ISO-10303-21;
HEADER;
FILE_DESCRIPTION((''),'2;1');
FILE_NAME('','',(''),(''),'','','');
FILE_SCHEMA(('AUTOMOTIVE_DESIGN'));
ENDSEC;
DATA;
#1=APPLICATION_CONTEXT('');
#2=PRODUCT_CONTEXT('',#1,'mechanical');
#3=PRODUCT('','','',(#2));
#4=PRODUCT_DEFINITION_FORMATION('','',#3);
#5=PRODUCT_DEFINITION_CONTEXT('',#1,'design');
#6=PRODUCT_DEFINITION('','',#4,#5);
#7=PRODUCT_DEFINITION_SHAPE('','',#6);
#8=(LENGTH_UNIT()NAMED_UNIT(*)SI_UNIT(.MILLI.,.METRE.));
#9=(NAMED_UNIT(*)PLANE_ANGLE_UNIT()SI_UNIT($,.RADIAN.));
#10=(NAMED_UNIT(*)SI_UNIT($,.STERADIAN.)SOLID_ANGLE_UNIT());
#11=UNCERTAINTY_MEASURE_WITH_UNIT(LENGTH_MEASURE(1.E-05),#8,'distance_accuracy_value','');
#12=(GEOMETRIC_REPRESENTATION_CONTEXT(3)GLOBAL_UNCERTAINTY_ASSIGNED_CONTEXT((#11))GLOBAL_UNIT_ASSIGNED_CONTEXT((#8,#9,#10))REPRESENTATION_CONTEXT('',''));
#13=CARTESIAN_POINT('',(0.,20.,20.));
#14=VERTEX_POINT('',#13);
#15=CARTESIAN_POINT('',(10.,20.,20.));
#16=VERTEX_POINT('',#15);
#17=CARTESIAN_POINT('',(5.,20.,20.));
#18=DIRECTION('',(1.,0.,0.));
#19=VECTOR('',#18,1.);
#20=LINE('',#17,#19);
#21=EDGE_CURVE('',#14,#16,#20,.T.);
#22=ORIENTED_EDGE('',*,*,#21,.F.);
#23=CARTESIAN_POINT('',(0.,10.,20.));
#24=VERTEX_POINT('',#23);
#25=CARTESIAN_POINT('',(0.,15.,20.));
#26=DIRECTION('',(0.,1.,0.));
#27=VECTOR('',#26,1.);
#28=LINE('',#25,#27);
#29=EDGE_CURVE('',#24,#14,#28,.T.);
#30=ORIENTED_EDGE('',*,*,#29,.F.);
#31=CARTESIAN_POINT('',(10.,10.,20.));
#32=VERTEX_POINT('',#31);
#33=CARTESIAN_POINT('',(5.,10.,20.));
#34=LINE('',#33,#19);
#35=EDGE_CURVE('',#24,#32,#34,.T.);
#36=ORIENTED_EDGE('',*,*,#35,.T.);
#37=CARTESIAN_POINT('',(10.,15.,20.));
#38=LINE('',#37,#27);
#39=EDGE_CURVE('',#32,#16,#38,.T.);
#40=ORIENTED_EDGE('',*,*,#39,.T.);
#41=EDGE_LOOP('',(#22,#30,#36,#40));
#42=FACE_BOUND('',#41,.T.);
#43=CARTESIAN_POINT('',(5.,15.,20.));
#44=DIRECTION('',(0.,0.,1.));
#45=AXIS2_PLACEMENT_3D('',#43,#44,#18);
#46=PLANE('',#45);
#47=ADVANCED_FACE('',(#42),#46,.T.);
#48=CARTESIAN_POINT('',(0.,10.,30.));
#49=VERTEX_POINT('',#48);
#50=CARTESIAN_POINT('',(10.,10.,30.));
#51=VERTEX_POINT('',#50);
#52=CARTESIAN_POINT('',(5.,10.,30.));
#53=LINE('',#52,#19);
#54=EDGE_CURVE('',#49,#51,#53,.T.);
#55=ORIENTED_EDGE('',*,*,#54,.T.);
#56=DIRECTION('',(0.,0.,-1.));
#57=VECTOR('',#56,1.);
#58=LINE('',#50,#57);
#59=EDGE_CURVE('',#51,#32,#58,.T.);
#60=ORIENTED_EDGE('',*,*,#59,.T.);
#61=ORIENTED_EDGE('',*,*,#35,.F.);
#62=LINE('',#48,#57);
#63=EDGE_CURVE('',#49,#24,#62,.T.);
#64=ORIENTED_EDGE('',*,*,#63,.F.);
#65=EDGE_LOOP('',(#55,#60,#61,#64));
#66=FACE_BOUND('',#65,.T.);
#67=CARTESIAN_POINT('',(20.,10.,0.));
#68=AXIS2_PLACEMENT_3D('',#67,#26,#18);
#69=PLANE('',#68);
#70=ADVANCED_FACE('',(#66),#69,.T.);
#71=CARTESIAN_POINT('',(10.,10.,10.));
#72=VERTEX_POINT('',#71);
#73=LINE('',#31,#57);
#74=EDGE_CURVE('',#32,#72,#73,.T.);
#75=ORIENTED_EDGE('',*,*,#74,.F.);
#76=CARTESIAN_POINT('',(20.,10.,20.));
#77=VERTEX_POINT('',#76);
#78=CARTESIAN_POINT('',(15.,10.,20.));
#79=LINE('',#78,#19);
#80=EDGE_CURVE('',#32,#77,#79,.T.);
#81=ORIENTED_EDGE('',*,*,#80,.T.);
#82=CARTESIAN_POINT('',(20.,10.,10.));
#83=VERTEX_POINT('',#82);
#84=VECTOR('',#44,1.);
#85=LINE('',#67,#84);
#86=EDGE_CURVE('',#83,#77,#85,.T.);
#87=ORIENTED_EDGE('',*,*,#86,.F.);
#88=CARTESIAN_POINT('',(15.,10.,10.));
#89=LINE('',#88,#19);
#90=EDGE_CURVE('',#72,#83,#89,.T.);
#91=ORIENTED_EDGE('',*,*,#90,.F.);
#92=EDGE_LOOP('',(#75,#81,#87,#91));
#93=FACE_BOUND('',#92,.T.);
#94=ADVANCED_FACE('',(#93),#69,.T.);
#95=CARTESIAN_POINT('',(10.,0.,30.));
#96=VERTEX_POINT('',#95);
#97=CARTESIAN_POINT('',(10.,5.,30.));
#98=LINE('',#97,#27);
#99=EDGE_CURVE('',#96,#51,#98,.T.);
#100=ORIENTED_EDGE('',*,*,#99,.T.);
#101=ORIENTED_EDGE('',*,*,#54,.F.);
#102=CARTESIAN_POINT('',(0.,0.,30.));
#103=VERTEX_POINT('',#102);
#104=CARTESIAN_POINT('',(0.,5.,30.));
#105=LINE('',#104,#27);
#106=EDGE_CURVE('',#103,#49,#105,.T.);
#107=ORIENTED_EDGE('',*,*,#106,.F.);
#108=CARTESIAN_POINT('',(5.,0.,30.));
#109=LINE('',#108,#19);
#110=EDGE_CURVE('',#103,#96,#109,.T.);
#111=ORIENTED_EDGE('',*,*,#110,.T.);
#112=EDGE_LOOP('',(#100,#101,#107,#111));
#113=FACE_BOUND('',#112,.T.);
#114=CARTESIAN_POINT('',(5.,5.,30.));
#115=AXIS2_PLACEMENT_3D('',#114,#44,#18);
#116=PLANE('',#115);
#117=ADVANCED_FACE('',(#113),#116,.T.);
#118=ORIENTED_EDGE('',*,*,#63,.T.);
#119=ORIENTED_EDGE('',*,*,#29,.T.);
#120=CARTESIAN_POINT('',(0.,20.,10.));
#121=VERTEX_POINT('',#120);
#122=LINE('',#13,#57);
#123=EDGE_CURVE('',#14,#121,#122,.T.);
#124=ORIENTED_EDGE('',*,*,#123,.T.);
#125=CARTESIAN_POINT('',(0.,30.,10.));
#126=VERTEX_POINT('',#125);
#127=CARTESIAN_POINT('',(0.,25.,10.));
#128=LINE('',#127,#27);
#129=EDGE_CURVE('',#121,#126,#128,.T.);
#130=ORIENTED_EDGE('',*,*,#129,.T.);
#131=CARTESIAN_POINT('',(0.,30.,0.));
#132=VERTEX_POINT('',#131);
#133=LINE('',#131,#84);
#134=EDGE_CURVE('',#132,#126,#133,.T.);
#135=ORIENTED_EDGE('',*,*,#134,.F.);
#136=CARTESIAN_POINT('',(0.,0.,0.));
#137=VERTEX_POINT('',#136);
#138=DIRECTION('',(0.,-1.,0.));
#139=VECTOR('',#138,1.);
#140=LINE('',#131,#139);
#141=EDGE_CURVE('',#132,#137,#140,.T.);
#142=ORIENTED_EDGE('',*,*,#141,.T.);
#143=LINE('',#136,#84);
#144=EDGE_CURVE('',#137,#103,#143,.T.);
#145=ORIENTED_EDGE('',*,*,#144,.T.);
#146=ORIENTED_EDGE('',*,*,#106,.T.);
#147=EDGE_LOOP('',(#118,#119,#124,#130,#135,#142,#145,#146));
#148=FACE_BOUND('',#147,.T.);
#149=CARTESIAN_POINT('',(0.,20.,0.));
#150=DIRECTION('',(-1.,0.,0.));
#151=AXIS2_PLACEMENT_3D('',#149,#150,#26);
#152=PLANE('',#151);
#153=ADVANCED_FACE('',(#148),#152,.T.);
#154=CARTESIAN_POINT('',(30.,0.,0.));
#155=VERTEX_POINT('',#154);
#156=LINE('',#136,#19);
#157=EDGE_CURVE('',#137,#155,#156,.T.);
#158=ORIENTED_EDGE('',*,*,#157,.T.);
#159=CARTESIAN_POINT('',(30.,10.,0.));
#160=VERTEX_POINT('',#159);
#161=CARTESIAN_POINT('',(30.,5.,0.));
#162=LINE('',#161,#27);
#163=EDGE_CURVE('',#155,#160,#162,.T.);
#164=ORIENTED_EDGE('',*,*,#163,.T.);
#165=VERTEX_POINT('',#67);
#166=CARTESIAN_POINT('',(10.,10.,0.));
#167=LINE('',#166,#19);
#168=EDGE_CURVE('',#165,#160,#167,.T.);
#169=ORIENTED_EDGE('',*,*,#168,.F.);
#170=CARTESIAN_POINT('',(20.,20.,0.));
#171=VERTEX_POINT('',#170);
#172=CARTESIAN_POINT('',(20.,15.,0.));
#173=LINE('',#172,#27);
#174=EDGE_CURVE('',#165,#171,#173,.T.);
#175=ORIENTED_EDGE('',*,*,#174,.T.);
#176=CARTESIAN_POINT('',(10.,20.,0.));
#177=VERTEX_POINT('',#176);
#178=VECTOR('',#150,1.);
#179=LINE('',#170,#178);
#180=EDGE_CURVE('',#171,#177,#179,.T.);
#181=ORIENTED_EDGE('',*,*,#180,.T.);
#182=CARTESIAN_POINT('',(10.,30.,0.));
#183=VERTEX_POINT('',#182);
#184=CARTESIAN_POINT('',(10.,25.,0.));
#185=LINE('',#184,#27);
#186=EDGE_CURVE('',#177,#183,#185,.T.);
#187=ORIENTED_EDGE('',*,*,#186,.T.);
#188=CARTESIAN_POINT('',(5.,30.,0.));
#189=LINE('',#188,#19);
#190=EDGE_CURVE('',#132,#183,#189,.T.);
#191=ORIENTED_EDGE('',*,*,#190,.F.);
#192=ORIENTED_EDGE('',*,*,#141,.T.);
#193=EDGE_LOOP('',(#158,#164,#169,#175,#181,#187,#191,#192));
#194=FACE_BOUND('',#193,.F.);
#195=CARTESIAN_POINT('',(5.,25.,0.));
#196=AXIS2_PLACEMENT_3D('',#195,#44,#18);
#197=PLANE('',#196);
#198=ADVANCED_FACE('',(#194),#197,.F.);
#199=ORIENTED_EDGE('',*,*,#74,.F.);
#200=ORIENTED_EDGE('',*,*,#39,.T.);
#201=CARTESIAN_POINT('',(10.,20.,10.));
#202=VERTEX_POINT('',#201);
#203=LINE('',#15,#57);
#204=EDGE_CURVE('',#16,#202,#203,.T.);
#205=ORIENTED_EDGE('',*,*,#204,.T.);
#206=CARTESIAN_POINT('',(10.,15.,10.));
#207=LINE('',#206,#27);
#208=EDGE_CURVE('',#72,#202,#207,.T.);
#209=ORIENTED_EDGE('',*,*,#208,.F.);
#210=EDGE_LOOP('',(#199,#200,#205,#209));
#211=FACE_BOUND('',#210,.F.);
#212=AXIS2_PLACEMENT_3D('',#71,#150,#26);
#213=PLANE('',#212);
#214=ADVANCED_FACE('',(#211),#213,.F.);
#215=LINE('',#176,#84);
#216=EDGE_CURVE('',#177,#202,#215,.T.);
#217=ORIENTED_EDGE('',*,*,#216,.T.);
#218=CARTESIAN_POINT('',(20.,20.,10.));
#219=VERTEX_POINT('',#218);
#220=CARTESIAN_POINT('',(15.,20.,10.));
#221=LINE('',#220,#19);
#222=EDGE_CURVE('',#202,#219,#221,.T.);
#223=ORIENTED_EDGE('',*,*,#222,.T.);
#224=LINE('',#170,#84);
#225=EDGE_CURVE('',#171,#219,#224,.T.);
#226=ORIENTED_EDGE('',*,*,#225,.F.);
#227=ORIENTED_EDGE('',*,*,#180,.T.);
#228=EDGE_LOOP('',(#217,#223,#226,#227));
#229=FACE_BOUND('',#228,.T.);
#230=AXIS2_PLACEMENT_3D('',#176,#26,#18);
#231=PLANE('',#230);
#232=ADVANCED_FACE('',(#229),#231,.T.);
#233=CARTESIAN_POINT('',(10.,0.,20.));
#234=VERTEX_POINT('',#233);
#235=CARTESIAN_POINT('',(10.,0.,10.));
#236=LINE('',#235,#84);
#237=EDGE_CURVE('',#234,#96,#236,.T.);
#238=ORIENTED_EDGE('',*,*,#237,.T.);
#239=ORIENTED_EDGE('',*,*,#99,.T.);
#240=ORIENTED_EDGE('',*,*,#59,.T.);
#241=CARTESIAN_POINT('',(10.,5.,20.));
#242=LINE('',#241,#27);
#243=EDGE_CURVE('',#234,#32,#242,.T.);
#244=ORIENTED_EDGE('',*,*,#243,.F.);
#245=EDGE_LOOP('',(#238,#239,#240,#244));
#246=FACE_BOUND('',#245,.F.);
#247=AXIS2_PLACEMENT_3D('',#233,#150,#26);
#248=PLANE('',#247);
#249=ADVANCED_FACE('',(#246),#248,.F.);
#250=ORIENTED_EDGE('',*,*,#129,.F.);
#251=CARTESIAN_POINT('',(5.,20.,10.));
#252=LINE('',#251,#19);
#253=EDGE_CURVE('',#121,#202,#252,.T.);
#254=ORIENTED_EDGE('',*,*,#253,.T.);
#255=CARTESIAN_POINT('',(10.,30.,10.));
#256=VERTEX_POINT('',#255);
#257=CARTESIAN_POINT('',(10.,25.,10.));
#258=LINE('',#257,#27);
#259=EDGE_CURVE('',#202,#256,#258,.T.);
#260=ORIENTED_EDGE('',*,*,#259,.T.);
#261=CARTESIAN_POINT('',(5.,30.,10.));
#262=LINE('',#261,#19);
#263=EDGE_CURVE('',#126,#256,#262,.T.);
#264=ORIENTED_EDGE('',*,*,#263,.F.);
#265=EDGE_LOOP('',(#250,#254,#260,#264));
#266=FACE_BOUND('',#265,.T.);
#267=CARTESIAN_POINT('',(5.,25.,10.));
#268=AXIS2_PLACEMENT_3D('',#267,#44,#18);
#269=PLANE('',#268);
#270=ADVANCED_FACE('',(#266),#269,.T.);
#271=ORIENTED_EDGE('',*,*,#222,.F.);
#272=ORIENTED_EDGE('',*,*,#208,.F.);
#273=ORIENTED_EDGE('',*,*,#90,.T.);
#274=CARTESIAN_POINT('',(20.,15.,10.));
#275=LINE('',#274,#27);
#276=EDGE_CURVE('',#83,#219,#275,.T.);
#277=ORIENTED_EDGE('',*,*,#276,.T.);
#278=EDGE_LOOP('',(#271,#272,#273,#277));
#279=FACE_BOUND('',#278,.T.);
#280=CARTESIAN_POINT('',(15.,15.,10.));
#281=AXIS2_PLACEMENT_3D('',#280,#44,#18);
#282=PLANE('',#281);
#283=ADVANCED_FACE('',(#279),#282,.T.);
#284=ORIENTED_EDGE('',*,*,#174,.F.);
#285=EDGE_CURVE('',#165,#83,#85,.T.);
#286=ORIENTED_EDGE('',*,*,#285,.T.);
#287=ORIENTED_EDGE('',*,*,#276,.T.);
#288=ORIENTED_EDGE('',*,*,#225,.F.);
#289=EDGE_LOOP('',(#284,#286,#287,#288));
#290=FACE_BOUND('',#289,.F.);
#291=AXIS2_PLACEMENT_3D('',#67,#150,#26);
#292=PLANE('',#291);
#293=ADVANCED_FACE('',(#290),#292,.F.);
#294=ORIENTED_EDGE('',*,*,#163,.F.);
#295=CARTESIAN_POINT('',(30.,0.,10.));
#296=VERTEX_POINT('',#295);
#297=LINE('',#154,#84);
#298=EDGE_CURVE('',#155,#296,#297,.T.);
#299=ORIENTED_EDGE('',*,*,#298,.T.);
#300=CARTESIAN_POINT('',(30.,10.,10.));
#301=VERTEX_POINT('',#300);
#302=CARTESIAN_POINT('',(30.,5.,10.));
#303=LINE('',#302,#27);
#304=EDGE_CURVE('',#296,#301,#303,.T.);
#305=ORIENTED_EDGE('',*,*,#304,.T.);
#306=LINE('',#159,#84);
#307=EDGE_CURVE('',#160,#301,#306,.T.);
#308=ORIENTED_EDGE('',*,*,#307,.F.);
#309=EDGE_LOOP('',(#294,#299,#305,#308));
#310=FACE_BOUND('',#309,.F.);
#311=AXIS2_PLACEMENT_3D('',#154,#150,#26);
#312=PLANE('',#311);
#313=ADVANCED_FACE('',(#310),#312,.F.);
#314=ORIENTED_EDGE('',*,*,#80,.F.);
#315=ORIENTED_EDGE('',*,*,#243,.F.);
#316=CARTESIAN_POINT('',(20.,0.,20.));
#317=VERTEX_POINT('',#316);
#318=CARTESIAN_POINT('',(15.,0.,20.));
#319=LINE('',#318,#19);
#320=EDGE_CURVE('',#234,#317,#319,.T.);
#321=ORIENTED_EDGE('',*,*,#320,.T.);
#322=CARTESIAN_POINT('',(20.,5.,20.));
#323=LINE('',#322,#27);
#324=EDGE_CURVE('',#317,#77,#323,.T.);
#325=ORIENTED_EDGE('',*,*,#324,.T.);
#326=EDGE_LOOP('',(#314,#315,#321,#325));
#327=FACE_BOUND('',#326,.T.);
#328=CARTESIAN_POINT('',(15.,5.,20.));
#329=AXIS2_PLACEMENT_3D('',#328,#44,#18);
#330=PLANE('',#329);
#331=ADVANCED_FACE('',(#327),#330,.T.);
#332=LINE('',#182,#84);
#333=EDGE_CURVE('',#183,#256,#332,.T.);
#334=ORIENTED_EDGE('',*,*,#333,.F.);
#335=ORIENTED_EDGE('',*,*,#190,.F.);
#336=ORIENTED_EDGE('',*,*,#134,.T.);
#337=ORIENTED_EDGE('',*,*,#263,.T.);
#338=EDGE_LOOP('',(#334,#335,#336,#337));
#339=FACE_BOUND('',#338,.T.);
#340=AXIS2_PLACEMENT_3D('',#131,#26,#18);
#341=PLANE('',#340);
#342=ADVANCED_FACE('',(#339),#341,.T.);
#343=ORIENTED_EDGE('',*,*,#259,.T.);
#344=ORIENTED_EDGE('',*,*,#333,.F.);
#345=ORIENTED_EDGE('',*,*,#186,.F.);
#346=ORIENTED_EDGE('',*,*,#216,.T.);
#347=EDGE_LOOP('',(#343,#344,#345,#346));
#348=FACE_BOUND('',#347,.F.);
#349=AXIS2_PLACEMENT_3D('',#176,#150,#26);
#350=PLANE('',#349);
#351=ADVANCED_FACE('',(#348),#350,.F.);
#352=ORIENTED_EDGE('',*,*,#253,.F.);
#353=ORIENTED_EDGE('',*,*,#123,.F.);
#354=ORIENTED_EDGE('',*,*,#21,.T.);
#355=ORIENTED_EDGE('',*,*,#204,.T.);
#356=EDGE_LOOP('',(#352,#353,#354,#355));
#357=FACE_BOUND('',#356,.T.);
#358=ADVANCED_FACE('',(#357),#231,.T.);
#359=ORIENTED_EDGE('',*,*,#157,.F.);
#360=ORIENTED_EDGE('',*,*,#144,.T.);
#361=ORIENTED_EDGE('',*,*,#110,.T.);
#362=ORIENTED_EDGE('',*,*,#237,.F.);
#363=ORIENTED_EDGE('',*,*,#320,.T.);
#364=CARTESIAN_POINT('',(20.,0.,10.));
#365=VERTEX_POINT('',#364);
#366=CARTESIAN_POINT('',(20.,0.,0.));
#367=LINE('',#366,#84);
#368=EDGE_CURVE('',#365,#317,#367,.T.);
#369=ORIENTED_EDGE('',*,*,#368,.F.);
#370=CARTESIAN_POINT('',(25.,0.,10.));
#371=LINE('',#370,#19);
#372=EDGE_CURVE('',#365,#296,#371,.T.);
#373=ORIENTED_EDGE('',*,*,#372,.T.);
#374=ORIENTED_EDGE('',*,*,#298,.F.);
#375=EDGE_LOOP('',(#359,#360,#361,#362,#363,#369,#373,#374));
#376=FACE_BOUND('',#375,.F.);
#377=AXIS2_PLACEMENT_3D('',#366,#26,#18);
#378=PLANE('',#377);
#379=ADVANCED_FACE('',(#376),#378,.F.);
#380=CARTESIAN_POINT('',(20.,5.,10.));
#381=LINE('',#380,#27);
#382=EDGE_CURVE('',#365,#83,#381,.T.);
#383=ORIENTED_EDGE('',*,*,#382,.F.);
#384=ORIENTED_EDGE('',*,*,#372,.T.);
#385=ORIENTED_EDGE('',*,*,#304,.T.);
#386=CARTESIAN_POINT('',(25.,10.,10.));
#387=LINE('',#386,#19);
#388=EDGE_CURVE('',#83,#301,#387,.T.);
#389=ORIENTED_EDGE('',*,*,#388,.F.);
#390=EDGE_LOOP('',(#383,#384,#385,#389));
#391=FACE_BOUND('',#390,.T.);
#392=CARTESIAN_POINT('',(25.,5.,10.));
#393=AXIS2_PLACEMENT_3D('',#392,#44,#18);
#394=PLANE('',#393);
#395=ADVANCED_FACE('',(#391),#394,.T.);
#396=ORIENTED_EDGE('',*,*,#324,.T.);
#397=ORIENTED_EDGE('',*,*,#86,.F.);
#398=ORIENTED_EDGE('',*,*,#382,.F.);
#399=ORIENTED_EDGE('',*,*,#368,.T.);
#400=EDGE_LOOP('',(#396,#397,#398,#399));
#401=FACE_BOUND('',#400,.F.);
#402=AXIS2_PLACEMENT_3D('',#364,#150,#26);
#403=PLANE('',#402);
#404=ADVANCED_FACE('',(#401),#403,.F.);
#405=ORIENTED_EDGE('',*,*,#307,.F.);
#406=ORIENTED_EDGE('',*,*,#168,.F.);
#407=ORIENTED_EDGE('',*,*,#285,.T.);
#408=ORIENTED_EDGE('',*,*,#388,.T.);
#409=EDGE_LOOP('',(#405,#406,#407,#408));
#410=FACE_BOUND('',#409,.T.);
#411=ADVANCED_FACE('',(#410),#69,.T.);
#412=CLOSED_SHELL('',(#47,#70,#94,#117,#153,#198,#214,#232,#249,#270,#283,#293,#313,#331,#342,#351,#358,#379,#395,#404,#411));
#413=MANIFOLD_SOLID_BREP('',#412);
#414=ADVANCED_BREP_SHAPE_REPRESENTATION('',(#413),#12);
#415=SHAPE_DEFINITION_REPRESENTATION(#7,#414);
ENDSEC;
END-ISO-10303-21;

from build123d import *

# Parameters (mm, degrees)
BOX001_W     = 10
BOX001_H     = 10
BOX001_DEPTH = 10
BOX002_W     = 10
BOX002_H     = 10
BOX002_DEPTH = 10
BOX003_W     = 10
BOX003_H     = 10
BOX003_DEPTH = 10
BOX004_W     = 10
BOX004_H     = 10
BOX004_DEPTH = 10
BOX005_W     = 10
BOX005_H     = 10
BOX005_DEPTH = 10
BOX006_W     = 10
BOX006_H     = 10
BOX006_DEPTH = 10
BOX007_W     = 10
BOX007_H     = 10
BOX007_DEPTH = 10
BOX008_W     = 10
BOX008_H     = 10
BOX008_DEPTH = 10
BOX009_W     = 10
BOX009_H     = 10
BOX009_DEPTH = 10
BOX_W        = 10
BOX_H        = 10
BOX_DEPTH    = 10


with BuildPart() as cub001:
    # Box001 → Box001 (new body)
    with BuildSketch(Plane(origin=(10, 0, 0), x_dir=(1, 0, 0), z_dir=(0, 0, 1))):
        with Locations((5, 5)):
            Rectangle(BOX001_W, BOX001_H)
    extrude(amount=BOX001_DEPTH)


with BuildPart() as cub002:
    # Box002 → Box002 (new body)
    with BuildSketch(Plane(origin=(0, 10, 0), x_dir=(1, 0, 0), z_dir=(0, 0, 1))):
        with Locations((5, 5)):
            Rectangle(BOX002_W, BOX002_H)
    extrude(amount=BOX002_DEPTH)


with BuildPart() as cub003:
    # Box003 → Box003 (new body)
    with BuildSketch(Plane.XY.offset(10)):
        with Locations((5, 5)):
            Rectangle(BOX003_W, BOX003_H)
    extrude(amount=BOX003_DEPTH)


with BuildPart() as cub004:
    # Box004 → Box004 (new body)
    with BuildSketch(Plane.XY.offset(20)):
        with Locations((5, 5)):
            Rectangle(BOX004_W, BOX004_H)
    extrude(amount=BOX004_DEPTH)


with BuildPart() as cub005:
    # Box005 → Box005 (new body)
    with BuildSketch(Plane(origin=(10, 0, 10), x_dir=(1, 0, 0), z_dir=(0, 0, 1))):
        with Locations((5, 5)):
            Rectangle(BOX005_W, BOX005_H)
    extrude(amount=BOX005_DEPTH)


with BuildPart() as cub006:
    # Box006 → Box006 (new body)
    with BuildSketch(Plane(origin=(20, 0, 0), x_dir=(1, 0, 0), z_dir=(0, 0, 1))):
        with Locations((5, 5)):
            Rectangle(BOX006_W, BOX006_H)
    extrude(amount=BOX006_DEPTH)


with BuildPart() as cub007:
    # Box007 → Box007 (new body)
    with BuildSketch(Plane(origin=(0, 10, 10), x_dir=(1, 0, 0), z_dir=(0, 0, 1))):
        with Locations((5, 5)):
            Rectangle(BOX007_W, BOX007_H)
    extrude(amount=BOX007_DEPTH)


with BuildPart() as cub008:
    # Box008 → Box008 (new body)
    with BuildSketch(Plane(origin=(10, 10, 0), x_dir=(1, 0, 0), z_dir=(0, 0, 1))):
        with Locations((5, 5)):
            Rectangle(BOX008_W, BOX008_H)
    extrude(amount=BOX008_DEPTH)


with BuildPart() as cub009:
    # Box009 → Box009 (new body)
    with BuildSketch(Plane(origin=(0, 20, 0), x_dir=(1, 0, 0), z_dir=(0, 0, 1))):
        with Locations((5, 5)):
            Rectangle(BOX009_W, BOX009_H)
    extrude(amount=BOX009_DEPTH)


with BuildPart() as fusion:
    # Box → Box (new body)
    with BuildSketch(Plane.XY):
        with Locations((5, 5)):
            Rectangle(BOX_W, BOX_H)
    extrude(amount=BOX_DEPTH)

    # Fusion: union Cub001, Cub002, Cub003, Cub004, Cub005, Cub006, Cub007, Cub008, Cub009
    add(cub001.part)
    add(cub002.part)
    add(cub003.part)
    add(cub004.part)
    add(cub005.part)
    add(cub006.part)
    add(cub007.part)
    add(cub008.part)
    add(cub009.part)


solid = fusion.part
